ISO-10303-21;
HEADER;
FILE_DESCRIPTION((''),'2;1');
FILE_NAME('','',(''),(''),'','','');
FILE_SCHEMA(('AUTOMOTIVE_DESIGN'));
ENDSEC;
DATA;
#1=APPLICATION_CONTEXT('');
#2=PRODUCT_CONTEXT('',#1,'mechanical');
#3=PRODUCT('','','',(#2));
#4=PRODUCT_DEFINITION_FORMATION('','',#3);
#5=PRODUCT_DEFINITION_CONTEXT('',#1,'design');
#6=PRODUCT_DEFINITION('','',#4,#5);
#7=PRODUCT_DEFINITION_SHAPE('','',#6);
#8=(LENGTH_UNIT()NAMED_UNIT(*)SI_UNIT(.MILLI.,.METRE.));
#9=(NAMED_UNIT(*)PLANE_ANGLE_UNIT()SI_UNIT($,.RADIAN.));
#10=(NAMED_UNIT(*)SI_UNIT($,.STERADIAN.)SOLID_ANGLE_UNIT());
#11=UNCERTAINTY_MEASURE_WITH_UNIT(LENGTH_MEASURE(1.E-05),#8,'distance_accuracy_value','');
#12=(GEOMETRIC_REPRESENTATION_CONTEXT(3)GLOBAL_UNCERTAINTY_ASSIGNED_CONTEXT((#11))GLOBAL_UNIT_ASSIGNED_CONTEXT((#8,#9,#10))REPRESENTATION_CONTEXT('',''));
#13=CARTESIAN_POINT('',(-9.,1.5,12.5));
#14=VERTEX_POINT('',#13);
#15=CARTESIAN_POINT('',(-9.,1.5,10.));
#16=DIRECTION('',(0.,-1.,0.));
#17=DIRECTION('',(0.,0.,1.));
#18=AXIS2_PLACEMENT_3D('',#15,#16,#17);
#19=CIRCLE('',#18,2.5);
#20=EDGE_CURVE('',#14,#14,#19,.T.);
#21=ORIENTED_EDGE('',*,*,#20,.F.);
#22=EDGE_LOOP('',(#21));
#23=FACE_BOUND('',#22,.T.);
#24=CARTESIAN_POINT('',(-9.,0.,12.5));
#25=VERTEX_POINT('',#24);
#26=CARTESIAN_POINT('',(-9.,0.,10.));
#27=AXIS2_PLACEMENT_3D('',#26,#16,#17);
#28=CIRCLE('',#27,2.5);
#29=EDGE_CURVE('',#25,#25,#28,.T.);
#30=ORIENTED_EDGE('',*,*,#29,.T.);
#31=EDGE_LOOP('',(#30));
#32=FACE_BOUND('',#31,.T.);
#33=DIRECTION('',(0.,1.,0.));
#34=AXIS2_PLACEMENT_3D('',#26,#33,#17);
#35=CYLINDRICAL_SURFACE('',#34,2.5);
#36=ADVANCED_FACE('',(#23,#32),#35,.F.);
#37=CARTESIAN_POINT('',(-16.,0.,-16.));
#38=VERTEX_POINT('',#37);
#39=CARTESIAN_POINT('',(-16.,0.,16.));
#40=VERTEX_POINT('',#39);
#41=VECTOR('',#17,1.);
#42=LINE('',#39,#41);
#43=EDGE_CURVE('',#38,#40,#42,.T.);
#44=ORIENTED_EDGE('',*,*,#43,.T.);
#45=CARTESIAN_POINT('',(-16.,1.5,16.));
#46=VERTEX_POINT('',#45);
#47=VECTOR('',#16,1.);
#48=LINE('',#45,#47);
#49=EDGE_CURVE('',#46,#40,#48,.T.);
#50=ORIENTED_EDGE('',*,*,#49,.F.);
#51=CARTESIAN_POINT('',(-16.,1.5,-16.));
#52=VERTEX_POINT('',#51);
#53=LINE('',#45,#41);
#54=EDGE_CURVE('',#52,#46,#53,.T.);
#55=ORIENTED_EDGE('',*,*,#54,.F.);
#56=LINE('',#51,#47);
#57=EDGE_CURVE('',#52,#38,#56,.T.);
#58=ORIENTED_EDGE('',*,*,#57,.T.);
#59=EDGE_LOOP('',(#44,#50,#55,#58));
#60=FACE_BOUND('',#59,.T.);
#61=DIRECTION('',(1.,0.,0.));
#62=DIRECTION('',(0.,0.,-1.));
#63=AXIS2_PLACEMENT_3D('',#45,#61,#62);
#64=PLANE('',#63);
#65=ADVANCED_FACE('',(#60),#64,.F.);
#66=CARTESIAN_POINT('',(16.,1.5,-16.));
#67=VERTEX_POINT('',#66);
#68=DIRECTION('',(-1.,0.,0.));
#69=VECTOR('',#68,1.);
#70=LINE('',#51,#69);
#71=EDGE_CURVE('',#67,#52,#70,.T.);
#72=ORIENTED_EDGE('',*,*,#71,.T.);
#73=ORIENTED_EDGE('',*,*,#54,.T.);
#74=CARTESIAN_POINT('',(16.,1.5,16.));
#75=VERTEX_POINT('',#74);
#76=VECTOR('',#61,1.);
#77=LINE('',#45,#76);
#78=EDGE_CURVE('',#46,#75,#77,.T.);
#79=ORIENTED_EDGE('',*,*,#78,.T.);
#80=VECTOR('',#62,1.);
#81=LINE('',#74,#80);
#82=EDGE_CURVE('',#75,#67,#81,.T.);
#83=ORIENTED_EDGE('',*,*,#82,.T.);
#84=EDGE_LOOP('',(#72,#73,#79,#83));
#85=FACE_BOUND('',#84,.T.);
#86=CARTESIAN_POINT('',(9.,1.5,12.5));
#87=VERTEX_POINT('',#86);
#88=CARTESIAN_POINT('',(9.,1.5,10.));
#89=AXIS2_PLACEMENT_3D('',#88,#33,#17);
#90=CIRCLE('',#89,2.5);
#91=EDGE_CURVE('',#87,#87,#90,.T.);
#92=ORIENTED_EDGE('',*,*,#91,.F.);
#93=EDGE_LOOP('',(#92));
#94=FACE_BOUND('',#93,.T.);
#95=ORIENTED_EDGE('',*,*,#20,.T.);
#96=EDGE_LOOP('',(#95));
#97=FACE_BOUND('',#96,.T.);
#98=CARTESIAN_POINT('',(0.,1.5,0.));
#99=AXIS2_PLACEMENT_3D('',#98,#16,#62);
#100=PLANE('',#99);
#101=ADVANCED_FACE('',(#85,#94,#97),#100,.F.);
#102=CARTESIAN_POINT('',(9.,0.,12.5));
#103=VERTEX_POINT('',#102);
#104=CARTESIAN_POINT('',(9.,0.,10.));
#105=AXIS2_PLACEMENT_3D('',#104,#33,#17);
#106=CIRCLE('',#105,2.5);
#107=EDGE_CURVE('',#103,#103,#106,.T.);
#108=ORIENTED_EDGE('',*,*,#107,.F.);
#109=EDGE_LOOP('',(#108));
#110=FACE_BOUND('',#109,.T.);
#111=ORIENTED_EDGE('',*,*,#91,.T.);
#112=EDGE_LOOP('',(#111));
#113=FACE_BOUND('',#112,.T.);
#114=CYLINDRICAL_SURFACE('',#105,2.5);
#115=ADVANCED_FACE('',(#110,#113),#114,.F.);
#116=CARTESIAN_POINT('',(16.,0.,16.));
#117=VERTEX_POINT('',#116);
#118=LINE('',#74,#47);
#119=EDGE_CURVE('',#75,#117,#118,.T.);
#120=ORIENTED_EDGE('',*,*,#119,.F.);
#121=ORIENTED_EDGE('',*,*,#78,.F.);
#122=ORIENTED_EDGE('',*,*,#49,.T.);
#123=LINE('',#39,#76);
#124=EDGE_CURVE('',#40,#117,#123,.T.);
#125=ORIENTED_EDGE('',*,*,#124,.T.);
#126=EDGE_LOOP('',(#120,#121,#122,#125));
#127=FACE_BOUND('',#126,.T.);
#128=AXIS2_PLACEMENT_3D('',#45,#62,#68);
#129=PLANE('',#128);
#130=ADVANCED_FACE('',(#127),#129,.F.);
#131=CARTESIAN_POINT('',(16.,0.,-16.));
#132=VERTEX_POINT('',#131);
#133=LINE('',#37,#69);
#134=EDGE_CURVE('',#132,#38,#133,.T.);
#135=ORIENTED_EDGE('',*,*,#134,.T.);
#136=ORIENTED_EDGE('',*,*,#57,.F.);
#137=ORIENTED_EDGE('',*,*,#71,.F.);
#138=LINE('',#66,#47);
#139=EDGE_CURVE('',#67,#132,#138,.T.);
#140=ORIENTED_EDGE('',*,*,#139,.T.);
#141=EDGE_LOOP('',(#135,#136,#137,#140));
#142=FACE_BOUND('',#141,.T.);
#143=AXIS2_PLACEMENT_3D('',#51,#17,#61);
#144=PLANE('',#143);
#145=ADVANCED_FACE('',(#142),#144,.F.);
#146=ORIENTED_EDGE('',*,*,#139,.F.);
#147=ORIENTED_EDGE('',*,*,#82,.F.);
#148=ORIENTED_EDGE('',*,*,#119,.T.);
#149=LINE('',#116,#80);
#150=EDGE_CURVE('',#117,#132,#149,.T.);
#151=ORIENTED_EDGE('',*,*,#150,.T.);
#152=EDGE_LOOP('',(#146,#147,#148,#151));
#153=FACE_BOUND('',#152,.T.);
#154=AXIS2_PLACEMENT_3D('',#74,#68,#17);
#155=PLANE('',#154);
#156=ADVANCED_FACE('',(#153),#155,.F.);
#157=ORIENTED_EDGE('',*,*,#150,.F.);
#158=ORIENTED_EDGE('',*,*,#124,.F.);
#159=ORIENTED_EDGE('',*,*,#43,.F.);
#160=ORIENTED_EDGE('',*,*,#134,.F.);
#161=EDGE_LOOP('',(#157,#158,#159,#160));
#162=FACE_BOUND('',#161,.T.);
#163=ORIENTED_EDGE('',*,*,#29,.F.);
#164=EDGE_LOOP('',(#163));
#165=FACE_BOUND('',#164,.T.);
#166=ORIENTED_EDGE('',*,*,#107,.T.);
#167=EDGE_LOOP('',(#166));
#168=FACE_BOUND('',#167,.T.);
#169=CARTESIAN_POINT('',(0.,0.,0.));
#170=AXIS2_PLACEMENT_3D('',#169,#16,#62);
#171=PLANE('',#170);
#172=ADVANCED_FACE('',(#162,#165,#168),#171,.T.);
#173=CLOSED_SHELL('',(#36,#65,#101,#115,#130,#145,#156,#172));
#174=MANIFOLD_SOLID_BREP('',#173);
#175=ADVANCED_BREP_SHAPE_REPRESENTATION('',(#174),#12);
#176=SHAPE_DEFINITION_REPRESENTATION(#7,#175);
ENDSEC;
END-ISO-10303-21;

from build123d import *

# Parameters (mm, degrees)
SKETCH_1_W          = 32
SKETCH_1_H          = 32
EXTRUDE_1_DEPTH     = 1.5
SKETCH_2_R          = 2.5
CUT_EXTRUDE_1_DEPTH = 23.677080941


with BuildPart() as part:
    # 草图1 → 凸台-拉伸1 (new body)
    with BuildSketch(Plane(origin=(0, 0, 0), x_dir=(1, 0, 0), z_dir=(0, 1, 0))):
        Rectangle(SKETCH_1_W, SKETCH_1_H)
    extrude(amount=EXTRUDE_1_DEPTH)

    # 草图2 → 切除-拉伸1 (cut, through all)
    with BuildSketch(Plane(origin=(0, 1.5, 0), x_dir=(1, 0, 0), z_dir=(0, 1, 0))):
        with Locations(Location((9, -10, 0), (0, 0, 270))):
            Circle(SKETCH_2_R)
    cut_extrude_1 = extrude(amount=-CUT_EXTRUDE_1_DEPTH, mode=Mode.SUBTRACT)

    # 镜向1: 切除-拉伸1 across plane
    add(cut_extrude_1.mirror(Plane(origin=(0, 0, 0), x_dir=(0, 0, 1), z_dir=(1, 0, 0))), mode=Mode.SUBTRACT)


solid = part.part
